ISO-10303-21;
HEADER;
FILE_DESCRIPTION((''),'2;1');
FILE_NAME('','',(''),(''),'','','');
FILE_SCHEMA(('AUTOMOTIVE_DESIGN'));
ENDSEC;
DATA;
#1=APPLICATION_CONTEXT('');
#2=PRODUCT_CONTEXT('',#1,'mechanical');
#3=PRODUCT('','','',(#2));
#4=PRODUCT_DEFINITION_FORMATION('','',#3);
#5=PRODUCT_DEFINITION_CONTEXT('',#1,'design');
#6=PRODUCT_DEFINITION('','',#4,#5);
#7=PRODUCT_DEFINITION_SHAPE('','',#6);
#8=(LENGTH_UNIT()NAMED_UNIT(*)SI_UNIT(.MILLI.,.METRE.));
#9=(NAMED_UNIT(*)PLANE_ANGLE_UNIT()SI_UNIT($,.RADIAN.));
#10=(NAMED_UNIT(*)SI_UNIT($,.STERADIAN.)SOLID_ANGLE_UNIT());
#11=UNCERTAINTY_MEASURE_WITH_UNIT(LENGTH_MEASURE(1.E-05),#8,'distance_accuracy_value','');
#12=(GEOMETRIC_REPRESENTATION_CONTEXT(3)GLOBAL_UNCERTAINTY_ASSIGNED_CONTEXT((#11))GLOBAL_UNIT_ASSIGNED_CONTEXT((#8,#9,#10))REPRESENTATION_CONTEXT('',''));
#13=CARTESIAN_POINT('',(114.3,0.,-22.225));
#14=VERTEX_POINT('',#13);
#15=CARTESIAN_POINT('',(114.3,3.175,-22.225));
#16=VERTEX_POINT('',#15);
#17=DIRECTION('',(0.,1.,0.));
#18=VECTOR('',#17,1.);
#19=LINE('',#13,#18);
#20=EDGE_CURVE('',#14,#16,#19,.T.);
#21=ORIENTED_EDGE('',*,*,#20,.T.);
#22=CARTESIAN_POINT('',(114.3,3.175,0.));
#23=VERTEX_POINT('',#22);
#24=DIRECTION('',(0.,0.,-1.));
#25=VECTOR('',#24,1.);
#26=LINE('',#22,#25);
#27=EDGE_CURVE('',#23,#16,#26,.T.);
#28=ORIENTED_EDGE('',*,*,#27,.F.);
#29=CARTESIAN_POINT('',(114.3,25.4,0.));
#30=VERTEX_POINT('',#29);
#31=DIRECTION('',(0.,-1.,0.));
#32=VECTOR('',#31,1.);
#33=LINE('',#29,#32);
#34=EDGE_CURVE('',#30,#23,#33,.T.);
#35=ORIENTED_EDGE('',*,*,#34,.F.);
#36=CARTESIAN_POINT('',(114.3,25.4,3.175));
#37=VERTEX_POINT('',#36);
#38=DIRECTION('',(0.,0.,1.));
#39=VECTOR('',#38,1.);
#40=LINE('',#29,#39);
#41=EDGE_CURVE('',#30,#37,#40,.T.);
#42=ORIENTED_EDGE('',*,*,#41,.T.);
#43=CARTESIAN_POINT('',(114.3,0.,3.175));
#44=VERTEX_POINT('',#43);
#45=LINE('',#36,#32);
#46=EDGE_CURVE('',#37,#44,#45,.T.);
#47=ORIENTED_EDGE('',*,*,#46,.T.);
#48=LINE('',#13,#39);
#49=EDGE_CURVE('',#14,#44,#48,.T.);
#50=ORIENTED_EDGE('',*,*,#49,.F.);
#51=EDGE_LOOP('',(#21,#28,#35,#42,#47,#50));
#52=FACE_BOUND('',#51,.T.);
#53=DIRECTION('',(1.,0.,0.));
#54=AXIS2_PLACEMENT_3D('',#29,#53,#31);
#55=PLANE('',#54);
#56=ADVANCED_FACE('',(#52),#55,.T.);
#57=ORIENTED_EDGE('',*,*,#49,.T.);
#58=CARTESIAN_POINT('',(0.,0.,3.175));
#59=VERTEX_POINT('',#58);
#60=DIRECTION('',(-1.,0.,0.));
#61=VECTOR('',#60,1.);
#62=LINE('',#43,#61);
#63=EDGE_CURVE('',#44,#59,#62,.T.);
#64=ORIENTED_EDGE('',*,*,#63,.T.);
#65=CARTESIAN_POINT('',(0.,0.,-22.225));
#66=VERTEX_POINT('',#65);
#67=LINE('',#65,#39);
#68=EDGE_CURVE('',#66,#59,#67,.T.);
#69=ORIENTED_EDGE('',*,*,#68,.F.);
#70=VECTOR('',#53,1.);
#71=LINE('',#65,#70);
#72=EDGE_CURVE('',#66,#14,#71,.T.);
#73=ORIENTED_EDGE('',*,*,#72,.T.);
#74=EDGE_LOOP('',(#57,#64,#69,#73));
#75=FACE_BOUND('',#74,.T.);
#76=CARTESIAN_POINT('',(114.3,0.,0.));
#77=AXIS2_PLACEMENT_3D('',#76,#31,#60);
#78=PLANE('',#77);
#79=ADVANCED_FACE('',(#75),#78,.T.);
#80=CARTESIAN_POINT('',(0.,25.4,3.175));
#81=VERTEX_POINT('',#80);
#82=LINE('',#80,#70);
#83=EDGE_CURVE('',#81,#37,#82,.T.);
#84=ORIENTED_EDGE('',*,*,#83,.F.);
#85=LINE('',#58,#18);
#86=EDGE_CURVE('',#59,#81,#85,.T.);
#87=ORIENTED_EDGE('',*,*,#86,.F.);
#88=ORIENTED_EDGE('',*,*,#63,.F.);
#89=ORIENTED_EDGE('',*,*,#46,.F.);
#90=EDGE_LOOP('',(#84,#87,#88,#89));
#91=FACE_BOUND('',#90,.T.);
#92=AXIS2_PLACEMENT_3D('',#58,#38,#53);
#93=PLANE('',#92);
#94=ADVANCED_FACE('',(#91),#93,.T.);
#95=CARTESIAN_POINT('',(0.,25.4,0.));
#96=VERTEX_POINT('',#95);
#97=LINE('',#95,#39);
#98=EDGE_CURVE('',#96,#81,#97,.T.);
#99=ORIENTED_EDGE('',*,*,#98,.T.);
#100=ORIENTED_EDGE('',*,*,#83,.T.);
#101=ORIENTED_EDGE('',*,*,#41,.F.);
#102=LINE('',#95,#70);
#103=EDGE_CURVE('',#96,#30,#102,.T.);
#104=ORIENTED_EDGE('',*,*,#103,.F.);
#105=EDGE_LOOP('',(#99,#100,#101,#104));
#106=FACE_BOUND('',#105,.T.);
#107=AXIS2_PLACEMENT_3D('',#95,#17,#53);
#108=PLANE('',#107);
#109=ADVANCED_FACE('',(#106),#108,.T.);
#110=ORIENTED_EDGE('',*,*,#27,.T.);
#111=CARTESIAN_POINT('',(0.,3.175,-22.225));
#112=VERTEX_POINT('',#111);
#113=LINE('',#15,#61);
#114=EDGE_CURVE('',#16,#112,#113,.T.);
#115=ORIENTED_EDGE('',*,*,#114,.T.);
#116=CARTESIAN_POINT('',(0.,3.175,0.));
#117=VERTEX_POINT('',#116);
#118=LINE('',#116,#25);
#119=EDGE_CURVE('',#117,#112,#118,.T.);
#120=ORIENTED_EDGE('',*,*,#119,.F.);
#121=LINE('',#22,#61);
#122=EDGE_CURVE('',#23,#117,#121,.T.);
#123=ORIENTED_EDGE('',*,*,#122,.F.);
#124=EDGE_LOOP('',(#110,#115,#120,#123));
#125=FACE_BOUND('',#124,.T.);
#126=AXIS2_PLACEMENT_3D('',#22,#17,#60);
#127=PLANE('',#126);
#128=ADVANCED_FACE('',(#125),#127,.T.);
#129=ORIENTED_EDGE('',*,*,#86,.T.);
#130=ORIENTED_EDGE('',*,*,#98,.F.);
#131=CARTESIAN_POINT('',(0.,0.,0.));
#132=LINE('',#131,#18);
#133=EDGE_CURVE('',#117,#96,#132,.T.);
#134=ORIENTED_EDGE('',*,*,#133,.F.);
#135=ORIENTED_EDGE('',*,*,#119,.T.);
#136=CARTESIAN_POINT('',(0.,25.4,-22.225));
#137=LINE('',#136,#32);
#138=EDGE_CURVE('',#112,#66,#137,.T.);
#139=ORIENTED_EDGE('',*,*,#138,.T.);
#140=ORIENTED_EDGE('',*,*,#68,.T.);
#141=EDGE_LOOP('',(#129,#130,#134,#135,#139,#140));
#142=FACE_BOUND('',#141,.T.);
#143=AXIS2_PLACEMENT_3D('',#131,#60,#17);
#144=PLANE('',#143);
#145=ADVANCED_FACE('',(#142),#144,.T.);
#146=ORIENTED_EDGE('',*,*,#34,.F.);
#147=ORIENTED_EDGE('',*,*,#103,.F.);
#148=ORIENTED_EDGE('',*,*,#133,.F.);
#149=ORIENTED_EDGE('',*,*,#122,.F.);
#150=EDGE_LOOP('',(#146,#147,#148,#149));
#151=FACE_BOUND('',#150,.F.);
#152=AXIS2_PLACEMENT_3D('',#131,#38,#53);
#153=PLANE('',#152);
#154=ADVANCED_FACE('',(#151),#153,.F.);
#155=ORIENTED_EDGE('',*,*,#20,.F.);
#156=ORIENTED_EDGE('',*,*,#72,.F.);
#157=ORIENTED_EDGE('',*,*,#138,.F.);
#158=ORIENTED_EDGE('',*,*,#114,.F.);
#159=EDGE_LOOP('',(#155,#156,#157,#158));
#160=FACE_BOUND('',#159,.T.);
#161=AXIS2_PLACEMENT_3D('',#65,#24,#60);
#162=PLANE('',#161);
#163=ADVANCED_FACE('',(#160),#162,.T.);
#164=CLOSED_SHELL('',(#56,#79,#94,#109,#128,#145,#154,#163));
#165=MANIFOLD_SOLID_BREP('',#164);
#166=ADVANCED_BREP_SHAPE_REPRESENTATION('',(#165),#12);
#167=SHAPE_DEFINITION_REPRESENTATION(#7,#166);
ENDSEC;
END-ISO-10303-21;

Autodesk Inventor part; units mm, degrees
ref_plane "YZ Plane" through (0, 0, 0) normal (1, 0, 0) x (0, 1, 0)
ref_plane "XZ Plane" through (0, 0, 0) normal (0, 1, 0) x (-1, 0, 0)
ref_plane "XY Plane" through (0, 0, 0) normal (0, 0, 1) x (1, 0, 0)
sketch "Sketch1" plane through (0, 0, 0) normal (0, 0, 1) x (1, 0, 0)
  line L0 (0, 0) -> (0, 25.4)
  line L1 (0, 25.4) -> (114.3, 25.4)
  line L2 (114.3, 25.4) -> (114.3, 0)
  line L3 (114.3, 0) -> (0, 0)
  dimension "d0" = 25.4
  dimension "d1" = 114.3
extrude "Extrusion1" add sketch "Sketch1" along normal blind 3.175
sketch "Sketch2" plane through (0, 0, 0) normal (0, 0, -1) x (-1, 0, 0)
  line L0 (-114.3, 0) -> (-114.3, 3.175)
  line L1 (-114.3, 0) -> (-114.3, 25.4) projected
  line L2 (-114.3, 3.175) -> (0, 3.175)
  line L3 (0, 25.4) -> (0, 0) projected
  line L4 (0, 3.175) -> (0, 0)
  line L5 (0, 0) -> (-114.3, 0)
  line L6 (0, 0) -> (-114.3, 0) projected
  line L7 (0, 12.7) -> (-19.05, 12.7)
  line L8 (-114.3, 25.4) -> (-114.3, 22.225)
  line L9 (-114.3, 25.4) -> (-114.3, 0)
  line L10 (0, 0) -> (0, 25.4)
  line L11 (0, 22.225) -> (0, 25.4)
  dimension "d4" = 3.175
extrude "Extrusion2" add sketch "Sketch2" along normal blind 22.225
properties part number "shaft chassis bracket"
